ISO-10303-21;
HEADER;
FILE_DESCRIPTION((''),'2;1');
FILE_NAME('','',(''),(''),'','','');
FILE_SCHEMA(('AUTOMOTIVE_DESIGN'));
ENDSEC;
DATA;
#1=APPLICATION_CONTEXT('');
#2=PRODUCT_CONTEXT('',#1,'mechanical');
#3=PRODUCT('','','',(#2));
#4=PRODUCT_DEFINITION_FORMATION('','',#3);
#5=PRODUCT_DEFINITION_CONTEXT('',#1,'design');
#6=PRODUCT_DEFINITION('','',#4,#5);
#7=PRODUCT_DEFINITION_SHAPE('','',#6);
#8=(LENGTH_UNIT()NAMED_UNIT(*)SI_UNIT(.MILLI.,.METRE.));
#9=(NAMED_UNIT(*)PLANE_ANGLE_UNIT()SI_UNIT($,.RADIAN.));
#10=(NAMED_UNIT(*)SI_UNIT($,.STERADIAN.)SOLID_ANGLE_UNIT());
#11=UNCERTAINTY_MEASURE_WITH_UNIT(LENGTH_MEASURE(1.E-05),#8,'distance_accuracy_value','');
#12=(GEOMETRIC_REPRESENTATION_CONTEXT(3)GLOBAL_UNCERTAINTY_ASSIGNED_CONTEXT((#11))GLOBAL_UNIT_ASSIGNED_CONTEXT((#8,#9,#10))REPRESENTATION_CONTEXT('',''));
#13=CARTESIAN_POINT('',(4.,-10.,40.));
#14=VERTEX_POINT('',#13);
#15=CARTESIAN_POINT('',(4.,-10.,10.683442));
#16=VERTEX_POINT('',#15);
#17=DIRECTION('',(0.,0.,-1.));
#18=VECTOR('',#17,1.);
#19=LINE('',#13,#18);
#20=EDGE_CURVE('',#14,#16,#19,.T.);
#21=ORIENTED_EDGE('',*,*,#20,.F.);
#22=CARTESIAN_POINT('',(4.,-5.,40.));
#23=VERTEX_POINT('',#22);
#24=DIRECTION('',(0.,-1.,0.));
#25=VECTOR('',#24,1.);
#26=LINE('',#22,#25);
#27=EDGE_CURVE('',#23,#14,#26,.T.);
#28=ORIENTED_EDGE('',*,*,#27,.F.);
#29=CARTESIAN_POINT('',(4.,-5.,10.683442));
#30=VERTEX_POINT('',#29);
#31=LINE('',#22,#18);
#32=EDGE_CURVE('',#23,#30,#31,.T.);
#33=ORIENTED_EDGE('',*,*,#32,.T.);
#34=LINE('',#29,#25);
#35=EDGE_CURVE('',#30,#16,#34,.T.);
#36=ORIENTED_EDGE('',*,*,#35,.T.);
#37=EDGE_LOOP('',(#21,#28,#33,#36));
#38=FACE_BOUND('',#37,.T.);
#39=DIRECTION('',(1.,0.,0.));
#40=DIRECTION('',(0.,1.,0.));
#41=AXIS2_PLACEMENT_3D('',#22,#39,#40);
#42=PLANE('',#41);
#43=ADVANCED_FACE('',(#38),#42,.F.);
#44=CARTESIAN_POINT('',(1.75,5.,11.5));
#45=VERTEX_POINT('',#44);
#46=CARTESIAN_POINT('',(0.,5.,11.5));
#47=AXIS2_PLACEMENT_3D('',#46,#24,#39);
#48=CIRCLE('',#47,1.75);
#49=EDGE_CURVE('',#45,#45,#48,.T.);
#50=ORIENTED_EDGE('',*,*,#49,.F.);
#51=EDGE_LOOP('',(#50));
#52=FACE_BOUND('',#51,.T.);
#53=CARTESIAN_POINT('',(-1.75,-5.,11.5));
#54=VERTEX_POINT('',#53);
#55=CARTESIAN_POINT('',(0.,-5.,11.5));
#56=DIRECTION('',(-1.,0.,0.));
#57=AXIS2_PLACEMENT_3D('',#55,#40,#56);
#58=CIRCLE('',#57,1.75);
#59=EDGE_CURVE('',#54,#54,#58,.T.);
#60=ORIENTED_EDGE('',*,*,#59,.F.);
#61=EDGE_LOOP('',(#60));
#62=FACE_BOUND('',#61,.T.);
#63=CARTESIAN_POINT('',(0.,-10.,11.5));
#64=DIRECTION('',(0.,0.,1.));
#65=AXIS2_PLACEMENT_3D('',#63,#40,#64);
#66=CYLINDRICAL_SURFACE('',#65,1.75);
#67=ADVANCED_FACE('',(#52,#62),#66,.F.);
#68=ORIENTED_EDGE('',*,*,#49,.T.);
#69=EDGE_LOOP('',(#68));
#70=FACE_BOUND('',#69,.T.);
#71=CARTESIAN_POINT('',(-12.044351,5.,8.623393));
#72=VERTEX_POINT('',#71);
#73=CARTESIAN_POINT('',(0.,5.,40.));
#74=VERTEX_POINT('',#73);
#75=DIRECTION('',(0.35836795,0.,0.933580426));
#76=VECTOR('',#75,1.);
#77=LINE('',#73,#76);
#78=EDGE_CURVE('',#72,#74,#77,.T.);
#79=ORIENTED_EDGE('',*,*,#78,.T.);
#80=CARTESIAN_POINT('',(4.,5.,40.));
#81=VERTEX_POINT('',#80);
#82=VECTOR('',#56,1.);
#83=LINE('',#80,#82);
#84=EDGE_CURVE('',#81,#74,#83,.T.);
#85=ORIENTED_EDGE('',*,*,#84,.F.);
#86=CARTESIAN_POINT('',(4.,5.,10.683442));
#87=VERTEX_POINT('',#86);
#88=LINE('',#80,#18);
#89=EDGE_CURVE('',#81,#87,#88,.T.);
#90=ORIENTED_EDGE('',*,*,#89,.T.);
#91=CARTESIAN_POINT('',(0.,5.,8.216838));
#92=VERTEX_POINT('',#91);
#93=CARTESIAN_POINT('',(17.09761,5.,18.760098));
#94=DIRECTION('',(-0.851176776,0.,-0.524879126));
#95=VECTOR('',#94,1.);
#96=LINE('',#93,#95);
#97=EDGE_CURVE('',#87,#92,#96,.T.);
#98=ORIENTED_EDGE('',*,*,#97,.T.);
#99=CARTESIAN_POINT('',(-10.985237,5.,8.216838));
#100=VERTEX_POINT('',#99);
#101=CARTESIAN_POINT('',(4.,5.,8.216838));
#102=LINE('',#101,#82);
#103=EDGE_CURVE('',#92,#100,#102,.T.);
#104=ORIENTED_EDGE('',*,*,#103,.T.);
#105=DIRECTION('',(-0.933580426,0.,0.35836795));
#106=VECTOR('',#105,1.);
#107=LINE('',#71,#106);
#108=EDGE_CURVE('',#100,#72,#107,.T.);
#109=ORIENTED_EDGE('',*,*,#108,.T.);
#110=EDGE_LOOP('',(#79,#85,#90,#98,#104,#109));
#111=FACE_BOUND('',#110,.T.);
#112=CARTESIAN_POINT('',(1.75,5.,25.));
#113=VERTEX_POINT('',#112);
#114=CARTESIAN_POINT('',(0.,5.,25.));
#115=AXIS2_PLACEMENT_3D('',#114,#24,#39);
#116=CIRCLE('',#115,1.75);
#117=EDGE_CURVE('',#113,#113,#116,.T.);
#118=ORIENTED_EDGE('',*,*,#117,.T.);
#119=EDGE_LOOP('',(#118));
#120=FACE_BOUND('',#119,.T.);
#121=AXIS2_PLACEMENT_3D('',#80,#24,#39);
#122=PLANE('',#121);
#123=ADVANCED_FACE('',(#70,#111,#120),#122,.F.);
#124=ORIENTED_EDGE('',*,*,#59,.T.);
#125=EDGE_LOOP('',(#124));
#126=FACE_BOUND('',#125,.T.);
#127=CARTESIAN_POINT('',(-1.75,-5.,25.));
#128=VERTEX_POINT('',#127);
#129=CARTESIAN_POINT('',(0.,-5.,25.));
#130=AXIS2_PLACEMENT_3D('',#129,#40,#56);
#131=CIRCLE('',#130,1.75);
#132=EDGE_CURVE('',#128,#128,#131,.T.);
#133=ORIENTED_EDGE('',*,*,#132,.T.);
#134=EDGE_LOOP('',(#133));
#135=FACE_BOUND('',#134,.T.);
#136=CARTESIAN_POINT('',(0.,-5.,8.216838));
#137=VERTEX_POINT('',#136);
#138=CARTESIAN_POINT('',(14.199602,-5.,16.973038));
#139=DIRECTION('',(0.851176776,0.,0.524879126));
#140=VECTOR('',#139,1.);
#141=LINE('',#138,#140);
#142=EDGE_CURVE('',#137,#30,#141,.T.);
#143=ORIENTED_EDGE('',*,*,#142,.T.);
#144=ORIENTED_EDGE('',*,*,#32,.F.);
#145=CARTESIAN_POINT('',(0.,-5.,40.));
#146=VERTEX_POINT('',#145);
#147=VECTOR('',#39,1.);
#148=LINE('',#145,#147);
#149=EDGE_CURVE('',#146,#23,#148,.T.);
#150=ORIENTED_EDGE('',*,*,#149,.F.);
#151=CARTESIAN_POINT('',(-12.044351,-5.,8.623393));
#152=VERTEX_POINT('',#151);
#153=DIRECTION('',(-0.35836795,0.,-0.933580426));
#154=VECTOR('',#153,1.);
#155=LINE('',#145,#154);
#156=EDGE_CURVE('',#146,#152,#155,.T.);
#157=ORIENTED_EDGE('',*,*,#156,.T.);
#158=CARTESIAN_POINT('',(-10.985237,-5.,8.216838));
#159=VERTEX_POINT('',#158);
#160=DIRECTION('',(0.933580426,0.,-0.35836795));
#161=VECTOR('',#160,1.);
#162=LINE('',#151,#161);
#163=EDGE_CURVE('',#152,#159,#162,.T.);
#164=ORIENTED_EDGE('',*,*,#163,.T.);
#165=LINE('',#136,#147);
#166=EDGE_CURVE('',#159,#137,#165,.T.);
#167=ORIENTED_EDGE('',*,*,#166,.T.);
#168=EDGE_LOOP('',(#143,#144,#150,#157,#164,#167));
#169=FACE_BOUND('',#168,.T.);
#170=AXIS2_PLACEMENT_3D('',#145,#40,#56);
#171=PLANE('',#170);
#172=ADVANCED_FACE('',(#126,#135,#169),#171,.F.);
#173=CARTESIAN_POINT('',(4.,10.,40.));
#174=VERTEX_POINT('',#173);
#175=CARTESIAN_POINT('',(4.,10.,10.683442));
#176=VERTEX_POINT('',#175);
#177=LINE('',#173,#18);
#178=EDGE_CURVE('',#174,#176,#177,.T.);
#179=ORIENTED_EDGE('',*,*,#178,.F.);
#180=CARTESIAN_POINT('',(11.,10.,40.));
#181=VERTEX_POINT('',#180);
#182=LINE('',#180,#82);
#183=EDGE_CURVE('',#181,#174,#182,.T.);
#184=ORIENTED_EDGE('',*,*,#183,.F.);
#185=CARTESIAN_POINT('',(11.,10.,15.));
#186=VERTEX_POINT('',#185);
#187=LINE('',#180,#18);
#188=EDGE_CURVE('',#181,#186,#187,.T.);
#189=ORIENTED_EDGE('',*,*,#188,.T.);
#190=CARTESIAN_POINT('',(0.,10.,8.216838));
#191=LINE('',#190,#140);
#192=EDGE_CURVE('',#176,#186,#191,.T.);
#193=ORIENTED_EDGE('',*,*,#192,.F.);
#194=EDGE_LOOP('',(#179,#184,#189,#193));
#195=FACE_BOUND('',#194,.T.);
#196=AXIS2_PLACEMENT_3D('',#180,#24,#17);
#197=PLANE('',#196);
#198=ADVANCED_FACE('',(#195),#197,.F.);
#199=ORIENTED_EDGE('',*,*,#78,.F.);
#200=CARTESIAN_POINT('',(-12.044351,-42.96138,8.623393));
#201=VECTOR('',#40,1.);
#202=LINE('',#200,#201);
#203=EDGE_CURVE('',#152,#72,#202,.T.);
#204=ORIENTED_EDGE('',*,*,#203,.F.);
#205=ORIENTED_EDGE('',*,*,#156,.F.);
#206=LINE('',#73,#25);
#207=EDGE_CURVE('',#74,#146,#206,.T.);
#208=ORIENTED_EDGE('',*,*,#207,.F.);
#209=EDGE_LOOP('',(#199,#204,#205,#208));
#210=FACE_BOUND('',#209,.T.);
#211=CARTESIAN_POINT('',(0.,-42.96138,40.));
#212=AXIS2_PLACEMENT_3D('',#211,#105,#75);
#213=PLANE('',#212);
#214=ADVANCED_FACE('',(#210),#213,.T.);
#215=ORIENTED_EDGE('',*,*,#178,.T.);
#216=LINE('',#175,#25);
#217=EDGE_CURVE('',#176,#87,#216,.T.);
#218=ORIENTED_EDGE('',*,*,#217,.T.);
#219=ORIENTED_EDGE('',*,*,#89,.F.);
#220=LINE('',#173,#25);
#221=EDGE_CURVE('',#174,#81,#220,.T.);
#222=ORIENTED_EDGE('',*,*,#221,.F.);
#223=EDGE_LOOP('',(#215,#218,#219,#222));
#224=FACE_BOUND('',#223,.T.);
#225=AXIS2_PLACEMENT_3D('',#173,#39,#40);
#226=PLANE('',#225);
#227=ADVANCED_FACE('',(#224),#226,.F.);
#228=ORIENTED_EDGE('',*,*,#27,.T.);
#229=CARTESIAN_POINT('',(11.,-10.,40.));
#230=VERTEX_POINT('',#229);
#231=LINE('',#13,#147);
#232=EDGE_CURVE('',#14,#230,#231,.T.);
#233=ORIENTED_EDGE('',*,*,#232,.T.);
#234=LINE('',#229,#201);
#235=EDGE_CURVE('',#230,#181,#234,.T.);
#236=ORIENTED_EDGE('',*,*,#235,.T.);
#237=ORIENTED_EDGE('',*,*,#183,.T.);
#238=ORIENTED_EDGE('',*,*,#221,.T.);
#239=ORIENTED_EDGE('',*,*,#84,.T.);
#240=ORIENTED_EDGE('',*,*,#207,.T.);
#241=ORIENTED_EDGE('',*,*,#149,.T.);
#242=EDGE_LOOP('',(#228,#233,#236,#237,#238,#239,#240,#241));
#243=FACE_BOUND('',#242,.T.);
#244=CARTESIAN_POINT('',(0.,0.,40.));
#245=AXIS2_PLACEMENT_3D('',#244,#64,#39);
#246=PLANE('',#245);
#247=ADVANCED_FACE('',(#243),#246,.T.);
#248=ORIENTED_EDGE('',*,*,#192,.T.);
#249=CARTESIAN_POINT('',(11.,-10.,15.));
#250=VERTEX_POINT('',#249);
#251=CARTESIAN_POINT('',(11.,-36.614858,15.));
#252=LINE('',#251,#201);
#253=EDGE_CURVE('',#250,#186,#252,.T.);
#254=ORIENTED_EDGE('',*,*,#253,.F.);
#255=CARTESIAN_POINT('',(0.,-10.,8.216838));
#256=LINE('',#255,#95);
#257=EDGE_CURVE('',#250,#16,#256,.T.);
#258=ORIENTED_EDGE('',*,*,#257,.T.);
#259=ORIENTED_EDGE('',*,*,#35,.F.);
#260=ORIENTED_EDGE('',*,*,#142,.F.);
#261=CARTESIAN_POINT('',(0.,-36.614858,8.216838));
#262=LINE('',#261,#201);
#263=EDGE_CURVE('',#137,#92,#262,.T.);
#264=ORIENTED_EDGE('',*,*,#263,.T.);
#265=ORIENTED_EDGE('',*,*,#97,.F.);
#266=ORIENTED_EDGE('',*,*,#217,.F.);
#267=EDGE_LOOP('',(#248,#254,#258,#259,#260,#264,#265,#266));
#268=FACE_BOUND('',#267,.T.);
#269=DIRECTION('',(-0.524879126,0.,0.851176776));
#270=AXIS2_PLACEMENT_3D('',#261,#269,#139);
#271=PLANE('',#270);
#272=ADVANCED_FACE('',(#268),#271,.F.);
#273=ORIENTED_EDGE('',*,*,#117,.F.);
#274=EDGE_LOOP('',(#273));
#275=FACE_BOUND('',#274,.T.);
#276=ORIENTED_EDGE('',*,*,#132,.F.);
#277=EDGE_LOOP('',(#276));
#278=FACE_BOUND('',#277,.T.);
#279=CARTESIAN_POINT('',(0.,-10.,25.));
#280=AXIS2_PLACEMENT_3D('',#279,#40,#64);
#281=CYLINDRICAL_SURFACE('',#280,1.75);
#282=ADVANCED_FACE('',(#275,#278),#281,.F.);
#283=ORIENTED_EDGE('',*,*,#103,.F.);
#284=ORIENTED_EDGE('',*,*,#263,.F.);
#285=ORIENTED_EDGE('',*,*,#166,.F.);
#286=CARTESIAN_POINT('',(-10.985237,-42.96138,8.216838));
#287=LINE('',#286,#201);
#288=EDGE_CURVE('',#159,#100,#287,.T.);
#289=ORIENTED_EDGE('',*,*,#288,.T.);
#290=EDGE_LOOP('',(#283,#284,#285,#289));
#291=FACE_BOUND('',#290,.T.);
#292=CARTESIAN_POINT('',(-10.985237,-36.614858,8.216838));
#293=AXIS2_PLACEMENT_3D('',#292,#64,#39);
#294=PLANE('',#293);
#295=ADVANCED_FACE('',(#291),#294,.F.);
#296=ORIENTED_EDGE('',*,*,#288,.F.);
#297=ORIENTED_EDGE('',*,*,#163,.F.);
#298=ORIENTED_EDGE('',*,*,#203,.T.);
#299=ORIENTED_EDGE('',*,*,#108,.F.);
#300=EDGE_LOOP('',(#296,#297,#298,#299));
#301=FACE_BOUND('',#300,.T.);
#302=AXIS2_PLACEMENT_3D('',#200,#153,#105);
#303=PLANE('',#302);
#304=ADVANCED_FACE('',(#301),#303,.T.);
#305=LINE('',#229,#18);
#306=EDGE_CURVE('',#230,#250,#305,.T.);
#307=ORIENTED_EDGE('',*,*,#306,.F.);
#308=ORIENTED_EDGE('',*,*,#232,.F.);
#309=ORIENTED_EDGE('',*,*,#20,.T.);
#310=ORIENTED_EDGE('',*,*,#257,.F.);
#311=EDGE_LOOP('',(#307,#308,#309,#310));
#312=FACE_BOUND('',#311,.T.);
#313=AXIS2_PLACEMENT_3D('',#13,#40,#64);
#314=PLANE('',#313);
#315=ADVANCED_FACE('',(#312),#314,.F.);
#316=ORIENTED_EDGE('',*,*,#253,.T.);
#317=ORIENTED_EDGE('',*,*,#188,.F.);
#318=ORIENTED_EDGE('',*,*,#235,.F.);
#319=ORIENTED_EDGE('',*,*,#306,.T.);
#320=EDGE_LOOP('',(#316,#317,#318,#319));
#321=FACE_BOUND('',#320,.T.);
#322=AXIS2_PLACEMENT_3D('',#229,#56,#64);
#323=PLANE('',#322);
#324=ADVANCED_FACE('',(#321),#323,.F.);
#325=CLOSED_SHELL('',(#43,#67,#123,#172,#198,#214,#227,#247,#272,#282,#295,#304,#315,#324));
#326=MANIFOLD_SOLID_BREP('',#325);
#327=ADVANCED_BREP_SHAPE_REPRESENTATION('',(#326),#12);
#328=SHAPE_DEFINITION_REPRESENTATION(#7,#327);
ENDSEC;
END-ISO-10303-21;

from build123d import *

# Parameters (mm, degrees)
AUFSATZ_LINEAR_AUSTRAGEN1_DEPTH      = 40
AUFSATZ_LINEAR_AUSTRAGEN2_DEPTH      = 10
SCHNITT_LINEAR_AUSTRAGEN1_DEPTH      = 20
SKIZZE5_R                            = 1.75
SCHNITT_LINEAR_AUSTRAGEN2_DEPTH      = 1
SCHNITT_LINEAR_AUSTRAGEN2_DEPTH_BACK = 21


with BuildPart() as part:
    # Skizze1 → Aufsatz-Linear austragen1 (new body)
    with BuildSketch(Plane.XY):
        Polygon((0, 5), (0, -5), (4, -5), (4, -10), (11, -10), (11, 10), (4, 10), (4, 5), align=None)
    extrude(amount=AUFSATZ_LINEAR_AUSTRAGEN1_DEPTH)

    # Skizze2 → Aufsatz-Linear austragen2 (add)
    with BuildSketch(Plane(origin=(0, 5, 0), x_dir=(1, 0, 0), z_dir=(0, 1, 0))):
        Polygon((0, -40), (-12.044350914, -8.623393141), (0, -4), align=None)
    extrude(amount=-AUFSATZ_LINEAR_AUSTRAGEN2_DEPTH)

    # Skizze4 → Schnitt-Linear austragen1 (cut)
    with BuildSketch(Plane(origin=(0, 10, 0), x_dir=(1, 0, 0), z_dir=(0, 1, 0))):
        Polygon((-10.985237261, -8.216837501), (0, -8.216837501), (11, -15), (11, 0), (0, 0), (0, -4), align=None)
    extrude(amount=-SCHNITT_LINEAR_AUSTRAGEN1_DEPTH, mode=Mode.SUBTRACT)

    # Skizze5 → Schnitt-Linear austragen2 (cut, two sides)
    with BuildSketch(Plane(origin=(0, 10, 0), x_dir=(1, 0, 0), z_dir=(0, 1, 0))) as schnitt_linear_austragen2_sk:
        with Locations((0, -25)):
            Circle(SKIZZE5_R)
        with Locations((0, -11.5)):
            Circle(SKIZZE5_R)
    extrude(amount=SCHNITT_LINEAR_AUSTRAGEN2_DEPTH, mode=Mode.SUBTRACT)
    extrude(schnitt_linear_austragen2_sk.sketch, amount=-SCHNITT_LINEAR_AUSTRAGEN2_DEPTH_BACK, mode=Mode.SUBTRACT)


solid = part.part
